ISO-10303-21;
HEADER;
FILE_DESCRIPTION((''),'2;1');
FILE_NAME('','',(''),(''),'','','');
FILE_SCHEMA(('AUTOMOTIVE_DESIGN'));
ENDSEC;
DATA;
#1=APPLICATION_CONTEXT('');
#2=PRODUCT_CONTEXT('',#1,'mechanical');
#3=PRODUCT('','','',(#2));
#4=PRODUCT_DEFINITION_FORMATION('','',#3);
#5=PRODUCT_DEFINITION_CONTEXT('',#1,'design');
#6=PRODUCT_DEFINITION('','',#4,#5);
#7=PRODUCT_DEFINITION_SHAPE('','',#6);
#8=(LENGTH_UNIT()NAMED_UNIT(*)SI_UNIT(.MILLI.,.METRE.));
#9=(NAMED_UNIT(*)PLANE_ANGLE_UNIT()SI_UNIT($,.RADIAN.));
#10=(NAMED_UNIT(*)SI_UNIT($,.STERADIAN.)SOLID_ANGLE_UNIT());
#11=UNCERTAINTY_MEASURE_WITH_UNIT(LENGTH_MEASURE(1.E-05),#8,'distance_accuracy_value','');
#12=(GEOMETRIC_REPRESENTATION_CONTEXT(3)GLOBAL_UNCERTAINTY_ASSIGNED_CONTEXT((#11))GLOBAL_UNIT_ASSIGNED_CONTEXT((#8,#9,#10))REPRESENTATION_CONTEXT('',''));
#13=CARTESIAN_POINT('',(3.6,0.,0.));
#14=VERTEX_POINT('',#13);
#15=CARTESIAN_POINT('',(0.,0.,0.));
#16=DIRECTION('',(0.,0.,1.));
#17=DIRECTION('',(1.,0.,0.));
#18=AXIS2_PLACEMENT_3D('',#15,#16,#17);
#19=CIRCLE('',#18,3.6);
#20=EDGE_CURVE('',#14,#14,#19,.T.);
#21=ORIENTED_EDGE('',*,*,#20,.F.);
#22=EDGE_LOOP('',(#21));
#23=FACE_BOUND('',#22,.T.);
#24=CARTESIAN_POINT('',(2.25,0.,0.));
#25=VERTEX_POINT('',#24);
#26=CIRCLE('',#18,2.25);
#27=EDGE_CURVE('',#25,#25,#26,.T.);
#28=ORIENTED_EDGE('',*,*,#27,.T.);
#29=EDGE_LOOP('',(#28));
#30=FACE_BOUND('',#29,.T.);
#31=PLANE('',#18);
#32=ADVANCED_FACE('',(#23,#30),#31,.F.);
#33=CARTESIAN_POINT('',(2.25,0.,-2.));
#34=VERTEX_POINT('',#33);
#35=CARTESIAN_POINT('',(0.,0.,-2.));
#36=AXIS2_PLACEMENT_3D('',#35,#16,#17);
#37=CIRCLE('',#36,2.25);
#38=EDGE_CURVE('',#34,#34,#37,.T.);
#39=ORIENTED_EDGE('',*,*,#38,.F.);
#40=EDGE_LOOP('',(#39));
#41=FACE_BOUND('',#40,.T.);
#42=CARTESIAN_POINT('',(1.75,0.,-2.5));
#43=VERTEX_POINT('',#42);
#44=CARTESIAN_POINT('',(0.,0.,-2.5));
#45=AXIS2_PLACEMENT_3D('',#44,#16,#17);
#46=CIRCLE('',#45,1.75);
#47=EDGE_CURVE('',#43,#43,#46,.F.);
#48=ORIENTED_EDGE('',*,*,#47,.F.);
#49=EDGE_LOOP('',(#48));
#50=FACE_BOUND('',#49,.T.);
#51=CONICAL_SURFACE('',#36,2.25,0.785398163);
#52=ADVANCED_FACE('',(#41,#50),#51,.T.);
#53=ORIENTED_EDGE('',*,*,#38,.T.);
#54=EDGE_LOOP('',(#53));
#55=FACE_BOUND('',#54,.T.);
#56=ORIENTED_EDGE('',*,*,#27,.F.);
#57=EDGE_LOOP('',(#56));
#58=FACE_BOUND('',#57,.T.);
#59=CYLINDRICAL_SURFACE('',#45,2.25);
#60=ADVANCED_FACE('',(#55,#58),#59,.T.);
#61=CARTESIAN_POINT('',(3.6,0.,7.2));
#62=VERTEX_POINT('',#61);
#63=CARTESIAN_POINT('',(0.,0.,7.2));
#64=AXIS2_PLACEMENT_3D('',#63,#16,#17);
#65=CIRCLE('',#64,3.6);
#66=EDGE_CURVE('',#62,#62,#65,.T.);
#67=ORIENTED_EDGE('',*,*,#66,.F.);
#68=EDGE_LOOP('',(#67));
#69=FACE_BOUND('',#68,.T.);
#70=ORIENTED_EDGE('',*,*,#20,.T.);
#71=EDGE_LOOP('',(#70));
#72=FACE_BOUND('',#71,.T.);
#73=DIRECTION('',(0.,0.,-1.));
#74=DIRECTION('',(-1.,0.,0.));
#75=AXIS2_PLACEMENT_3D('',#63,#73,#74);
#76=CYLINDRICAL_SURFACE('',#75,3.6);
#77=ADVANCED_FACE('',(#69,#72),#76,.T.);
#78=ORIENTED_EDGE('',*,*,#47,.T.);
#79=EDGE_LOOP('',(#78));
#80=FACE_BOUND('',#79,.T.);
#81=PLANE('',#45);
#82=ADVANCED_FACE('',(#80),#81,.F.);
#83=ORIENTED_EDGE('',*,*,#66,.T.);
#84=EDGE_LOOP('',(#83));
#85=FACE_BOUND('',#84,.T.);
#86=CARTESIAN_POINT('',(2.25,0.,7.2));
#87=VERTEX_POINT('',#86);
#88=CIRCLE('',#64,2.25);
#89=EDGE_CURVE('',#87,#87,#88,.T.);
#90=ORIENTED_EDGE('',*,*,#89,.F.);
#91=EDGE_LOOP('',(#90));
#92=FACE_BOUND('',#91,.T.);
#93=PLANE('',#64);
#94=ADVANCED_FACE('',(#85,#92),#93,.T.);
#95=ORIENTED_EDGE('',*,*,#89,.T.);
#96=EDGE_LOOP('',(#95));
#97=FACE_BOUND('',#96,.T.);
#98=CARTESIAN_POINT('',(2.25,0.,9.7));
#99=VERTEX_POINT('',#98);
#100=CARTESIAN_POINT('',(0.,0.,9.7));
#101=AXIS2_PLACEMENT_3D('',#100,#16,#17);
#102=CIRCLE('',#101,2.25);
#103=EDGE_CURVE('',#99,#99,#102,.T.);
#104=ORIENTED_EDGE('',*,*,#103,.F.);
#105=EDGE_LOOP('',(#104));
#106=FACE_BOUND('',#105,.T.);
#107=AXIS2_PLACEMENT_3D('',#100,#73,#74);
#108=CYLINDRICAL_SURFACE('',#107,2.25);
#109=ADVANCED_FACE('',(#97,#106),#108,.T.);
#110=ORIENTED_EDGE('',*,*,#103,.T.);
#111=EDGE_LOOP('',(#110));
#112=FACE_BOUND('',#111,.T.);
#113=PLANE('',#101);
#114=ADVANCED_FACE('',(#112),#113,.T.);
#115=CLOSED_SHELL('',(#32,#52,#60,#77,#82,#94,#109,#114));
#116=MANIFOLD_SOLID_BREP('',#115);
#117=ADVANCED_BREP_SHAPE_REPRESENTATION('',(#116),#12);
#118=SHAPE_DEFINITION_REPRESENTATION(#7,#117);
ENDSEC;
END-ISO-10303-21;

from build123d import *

# Parameters (mm, degrees)
SKETCH3_R           = 3.6
BOSS_EXTRUDE1_DEPTH = 7.2
SKETCH4_R           = 2.25
BOSS_EXTRUDE2_DEPTH = 2.5
BOSS_EXTRUDE3_START = 2.5
SKETCH5_R           = 2.25
BOSS_EXTRUDE3_DEPTH = 2.5
CHAMFER1_SIZE       = 0.5


with BuildPart() as part:
    # Sketch3 → Boss-Extrude1 (new body)
    with BuildSketch(Plane.XY):
        Circle(SKETCH3_R)
    extrude(amount=BOSS_EXTRUDE1_DEPTH)

    # Sketch4 → Boss-Extrude2 (add)
    with BuildSketch(Plane.XY):
        Circle(SKETCH4_R)
    extrude(amount=-BOSS_EXTRUDE2_DEPTH)

    # Sketch5 → Boss-Extrude3 (add)
    with BuildSketch(Plane.XY.offset(7.2).offset(BOSS_EXTRUDE3_START)):
        Circle(SKETCH5_R)
    extrude(amount=-BOSS_EXTRUDE3_DEPTH)

    # Chamfer1
    chamfer1_edges = [part.edges().sort_by_distance(p)[0] for p in [
        (-2.25, 0, -2.5),
    ]]
    chamfer(chamfer1_edges, length=CHAMFER1_SIZE)


solid = part.part
